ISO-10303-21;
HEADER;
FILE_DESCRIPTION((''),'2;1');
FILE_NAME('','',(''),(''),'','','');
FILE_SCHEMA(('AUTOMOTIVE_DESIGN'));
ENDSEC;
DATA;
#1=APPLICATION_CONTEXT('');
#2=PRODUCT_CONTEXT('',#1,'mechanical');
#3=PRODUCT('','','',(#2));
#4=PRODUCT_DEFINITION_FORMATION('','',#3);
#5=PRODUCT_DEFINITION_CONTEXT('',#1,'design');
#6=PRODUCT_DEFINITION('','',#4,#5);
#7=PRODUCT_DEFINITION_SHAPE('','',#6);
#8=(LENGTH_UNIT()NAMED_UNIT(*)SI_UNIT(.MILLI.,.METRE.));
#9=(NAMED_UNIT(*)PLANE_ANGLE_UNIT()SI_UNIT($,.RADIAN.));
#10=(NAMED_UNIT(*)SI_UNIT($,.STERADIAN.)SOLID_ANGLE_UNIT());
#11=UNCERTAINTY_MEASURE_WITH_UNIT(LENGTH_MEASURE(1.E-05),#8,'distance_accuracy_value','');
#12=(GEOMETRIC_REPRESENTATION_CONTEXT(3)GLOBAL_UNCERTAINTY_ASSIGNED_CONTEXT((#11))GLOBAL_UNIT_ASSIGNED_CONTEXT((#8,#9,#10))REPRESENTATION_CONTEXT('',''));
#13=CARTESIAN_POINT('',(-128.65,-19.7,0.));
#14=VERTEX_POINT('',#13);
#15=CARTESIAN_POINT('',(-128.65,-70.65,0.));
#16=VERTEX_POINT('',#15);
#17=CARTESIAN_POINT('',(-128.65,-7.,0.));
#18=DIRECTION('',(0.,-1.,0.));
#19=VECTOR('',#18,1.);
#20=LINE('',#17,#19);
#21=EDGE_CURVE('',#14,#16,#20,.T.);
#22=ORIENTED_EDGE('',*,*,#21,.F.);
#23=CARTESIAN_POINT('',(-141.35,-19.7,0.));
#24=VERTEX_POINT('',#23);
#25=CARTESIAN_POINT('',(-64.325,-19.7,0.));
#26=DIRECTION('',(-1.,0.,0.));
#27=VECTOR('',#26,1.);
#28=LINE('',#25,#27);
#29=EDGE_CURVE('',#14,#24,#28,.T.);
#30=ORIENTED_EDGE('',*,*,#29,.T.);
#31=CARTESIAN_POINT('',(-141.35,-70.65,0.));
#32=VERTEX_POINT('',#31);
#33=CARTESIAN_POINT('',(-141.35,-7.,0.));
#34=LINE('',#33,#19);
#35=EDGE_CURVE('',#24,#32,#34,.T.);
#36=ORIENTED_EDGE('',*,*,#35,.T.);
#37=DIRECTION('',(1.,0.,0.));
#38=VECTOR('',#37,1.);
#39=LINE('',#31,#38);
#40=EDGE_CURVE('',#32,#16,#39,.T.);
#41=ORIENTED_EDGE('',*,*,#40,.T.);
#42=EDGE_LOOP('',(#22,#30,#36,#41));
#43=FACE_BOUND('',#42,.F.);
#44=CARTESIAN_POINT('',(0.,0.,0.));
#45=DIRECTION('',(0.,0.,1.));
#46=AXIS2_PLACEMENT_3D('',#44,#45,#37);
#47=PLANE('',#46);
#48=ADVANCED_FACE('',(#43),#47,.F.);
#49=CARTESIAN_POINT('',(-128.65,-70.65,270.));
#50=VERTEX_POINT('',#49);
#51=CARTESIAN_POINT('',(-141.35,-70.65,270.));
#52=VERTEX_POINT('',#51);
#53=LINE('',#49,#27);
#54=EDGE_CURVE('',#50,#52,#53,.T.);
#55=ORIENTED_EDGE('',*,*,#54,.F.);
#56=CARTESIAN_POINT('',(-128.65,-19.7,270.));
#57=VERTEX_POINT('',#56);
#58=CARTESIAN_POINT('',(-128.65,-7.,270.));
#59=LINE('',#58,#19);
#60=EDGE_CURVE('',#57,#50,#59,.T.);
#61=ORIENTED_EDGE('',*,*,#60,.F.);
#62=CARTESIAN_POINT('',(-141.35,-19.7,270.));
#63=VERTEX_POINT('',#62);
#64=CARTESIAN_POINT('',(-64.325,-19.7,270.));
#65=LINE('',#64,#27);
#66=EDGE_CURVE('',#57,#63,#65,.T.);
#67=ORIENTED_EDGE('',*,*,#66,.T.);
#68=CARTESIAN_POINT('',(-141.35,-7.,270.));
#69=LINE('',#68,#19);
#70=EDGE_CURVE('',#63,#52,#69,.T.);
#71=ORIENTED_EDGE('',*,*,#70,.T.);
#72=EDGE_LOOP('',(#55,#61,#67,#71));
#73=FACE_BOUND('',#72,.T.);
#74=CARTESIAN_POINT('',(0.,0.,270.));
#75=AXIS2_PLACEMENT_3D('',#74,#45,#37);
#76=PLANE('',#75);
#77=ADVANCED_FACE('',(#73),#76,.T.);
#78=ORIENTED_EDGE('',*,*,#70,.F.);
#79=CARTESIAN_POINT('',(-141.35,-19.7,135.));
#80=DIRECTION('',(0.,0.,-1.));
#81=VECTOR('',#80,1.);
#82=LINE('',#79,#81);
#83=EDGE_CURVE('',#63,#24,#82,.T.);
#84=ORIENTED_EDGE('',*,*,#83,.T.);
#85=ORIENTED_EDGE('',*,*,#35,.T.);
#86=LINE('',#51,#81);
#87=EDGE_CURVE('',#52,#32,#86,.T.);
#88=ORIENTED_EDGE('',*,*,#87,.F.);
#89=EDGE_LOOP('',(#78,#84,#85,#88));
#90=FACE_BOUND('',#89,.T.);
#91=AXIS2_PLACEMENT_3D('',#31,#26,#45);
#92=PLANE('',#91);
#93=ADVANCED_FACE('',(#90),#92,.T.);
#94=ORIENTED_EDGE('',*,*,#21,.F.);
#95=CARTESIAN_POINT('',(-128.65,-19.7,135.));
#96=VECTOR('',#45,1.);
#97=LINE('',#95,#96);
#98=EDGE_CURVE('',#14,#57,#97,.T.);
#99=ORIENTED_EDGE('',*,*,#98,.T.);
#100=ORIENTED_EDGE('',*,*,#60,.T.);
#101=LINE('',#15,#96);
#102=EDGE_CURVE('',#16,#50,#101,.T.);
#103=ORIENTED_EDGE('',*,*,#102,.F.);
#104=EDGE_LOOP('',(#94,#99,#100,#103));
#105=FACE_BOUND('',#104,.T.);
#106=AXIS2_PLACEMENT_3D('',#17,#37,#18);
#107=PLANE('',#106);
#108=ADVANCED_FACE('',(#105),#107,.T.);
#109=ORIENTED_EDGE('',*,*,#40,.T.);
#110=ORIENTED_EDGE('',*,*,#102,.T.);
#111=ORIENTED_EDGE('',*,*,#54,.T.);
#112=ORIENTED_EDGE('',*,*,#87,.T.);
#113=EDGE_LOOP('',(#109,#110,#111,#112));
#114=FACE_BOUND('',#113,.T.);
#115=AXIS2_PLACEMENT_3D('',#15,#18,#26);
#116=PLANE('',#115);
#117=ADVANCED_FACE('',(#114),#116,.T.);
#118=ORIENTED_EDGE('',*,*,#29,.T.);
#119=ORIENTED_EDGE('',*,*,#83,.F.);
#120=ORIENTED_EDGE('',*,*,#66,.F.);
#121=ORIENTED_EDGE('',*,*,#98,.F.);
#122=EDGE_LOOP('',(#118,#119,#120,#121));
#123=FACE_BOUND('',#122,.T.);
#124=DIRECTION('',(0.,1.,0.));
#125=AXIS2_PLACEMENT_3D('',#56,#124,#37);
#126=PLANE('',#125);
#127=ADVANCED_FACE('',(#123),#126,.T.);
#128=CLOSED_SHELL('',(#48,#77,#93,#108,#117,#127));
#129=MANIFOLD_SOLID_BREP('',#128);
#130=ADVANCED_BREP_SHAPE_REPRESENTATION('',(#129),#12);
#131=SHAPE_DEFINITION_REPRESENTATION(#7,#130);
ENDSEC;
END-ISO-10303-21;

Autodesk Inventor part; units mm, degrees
ref_plane "YZ Plane" through (0, 0, 0) normal (1, 0, 0) x (0, 1, 0)
ref_plane "XZ Plane" through (0, 0, 0) normal (0, 1, 0) x (-1, 0, 0)
ref_plane "XY Plane" through (0, 0, 0) normal (0, 0, 1) x (1, 0, 0)
sketch "Sketch1" plane through (0, 0, 0) normal (0, 0, 1) x (1, 0, 0)
  line L0 (135, -70.65) -> (-135, -70.65) projected
  line L1 (-135, -7) -> (-128.65, -7)
  line L2 (-128.65, -7) -> (-128.65, -70.65)
  line L3 (-128.65, -70.65) -> (-135, -70.65)
  line L4 (-135, -70.65) -> (-135, -7)
  point P0 (0, 0)
  dimension "d0" = 6.35
extrude "Extrusion1" add sketch "Sketch1" along normal blind 270
sketch "Sketch2" plane through (-135, -70.65, 0) normal (-1, 0, 0) x (0, 0, 1)
  line L0 (0, 63.65) -> (0, 0) projected
  line L1 (270, 63.65) -> (270, 0) projected
  line L2 (0, 63.65) -> (270, 63.65)
  line L3 (270, 63.65) -> (270, 0)
  line L4 (270, 0) -> (0, 0)
  line L5 (0, 0) -> (0, 63.65)
  point P0 (0, 70.65)
extrude "Extrusion2" add sketch "Sketch2" along normal blind 6.35
sketch "Sketch3" plane through (-128.65, -7, 270) normal (0, 1, 0) x (1, 0, 0)
  line L0 (33, 330) -> (-71, 330)
  line L1 (-71, 330) -> (-71, -74)
  line L2 (-71, -74) -> (33, -74)
  line L3 (33, -74) -> (33, 330)
  point P0 (128.65, 270)
extrude "Extrusion3" cut sketch "Sketch3" against normal blind 12.7
properties part number "Front" material "Default New Material(1)"
